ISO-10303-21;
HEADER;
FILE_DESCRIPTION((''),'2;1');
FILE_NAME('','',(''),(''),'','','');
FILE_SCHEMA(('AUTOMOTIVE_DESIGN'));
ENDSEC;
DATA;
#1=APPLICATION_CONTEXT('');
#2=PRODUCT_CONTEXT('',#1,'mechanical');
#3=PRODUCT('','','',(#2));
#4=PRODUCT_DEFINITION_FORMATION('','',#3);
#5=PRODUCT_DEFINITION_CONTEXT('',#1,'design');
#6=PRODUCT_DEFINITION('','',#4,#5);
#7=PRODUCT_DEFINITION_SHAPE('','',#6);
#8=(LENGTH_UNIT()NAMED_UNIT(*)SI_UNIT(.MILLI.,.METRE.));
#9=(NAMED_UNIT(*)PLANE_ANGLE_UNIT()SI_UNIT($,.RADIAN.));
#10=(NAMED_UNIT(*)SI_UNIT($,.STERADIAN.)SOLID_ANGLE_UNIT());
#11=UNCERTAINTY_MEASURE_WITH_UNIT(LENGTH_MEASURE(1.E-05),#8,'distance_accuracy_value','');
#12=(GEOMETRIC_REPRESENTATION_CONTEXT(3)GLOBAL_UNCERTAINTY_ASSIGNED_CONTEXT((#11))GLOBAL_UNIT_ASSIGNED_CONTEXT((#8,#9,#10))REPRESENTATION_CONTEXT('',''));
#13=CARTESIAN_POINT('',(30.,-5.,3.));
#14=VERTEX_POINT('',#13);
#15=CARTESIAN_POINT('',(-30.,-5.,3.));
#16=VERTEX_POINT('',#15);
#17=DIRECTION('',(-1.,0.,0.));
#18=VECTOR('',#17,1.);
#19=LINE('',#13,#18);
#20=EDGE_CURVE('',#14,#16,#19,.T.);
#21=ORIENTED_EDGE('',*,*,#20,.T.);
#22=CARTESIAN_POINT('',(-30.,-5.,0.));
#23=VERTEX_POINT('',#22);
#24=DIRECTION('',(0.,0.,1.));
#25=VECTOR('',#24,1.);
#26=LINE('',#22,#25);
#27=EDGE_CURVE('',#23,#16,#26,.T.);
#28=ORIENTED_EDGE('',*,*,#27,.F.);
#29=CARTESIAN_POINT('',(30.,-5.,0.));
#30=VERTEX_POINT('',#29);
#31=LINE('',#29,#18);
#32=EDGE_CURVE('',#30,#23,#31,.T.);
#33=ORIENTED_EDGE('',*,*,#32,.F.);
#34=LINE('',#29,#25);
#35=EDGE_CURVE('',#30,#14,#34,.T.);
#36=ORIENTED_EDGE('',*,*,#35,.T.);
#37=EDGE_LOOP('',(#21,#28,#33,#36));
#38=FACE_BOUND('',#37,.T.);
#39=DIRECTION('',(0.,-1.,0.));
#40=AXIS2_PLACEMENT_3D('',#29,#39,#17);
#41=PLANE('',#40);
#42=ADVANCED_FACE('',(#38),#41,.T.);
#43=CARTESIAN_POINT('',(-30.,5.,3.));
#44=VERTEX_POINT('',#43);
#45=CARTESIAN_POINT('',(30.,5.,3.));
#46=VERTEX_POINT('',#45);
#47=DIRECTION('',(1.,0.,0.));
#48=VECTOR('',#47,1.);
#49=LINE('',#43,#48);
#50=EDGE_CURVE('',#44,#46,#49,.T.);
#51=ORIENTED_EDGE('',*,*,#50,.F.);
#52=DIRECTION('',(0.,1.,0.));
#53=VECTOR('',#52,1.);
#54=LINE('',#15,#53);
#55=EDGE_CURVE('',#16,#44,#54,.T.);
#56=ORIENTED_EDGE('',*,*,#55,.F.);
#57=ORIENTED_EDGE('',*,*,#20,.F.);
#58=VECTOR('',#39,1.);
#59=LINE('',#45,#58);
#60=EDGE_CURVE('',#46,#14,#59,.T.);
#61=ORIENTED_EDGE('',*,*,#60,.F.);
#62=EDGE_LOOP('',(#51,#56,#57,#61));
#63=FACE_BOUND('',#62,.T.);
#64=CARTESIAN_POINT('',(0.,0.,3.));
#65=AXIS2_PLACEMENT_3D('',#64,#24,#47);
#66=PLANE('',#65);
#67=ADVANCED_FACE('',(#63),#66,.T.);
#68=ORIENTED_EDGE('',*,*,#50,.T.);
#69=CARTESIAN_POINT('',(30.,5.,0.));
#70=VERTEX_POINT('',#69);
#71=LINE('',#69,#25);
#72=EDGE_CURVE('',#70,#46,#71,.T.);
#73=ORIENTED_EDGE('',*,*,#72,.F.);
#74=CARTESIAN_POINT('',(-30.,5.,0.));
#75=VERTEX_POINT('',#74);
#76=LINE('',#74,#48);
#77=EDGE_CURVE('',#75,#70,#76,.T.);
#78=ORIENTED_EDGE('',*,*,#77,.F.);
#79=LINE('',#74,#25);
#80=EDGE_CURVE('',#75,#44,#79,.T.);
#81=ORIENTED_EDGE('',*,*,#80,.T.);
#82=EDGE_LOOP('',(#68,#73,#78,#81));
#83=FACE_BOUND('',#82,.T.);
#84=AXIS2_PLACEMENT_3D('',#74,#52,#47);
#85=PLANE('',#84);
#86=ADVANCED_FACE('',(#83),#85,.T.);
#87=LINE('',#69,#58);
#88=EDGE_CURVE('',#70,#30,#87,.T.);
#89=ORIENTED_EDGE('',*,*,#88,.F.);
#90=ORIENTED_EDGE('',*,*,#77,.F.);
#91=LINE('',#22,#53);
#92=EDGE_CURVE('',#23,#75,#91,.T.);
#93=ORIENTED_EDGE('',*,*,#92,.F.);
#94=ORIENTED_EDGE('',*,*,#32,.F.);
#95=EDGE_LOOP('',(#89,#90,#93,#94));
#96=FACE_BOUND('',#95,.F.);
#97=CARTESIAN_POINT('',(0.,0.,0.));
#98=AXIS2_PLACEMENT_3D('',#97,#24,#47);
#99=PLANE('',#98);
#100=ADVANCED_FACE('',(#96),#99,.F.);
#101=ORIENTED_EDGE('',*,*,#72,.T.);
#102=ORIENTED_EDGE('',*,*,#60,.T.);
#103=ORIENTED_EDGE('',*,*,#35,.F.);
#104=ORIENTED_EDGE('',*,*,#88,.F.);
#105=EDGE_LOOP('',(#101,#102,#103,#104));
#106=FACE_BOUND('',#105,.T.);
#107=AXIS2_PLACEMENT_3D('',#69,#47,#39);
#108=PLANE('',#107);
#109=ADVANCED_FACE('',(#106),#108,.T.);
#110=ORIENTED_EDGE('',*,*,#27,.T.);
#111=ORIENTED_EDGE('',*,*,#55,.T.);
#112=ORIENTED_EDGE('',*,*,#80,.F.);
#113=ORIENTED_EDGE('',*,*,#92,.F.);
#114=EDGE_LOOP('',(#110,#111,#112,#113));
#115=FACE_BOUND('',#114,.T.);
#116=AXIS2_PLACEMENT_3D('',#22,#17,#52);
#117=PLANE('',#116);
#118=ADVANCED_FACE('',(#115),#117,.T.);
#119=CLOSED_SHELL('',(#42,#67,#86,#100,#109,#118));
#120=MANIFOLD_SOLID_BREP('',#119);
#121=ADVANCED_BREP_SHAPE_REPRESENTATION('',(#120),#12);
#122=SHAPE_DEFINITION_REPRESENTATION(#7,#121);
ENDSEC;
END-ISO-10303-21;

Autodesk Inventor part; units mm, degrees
ref_plane "YZ Plane" through (0, 0, 0) normal (1, 0, 0) x (0, 1, 0)
ref_plane "XZ Plane" through (0, 0, 0) normal (0, 1, 0) x (-1, 0, 0)
ref_plane "XY Plane" through (0, 0, 0) normal (0, 0, 1) x (1, 0, 0)
sketch "스케치1" plane through (0, 0, 0) normal (0, 0, 1) x (1, 0, 0)
  line L0 (30, -5) -> (-30, -5)
  line L1 (-30, -5) -> (-30, 5)
  line L2 (-30, 5) -> (30, 5)
  line L3 (30, 5) -> (30, -5)
  line L4 (30, -5) -> (-30, 5) construction
  line L5 (-30, -5) -> (30, 5) construction
  point P0 (0, 0)
  dimension "d0" = 60
  dimension "d1" = 10
extrude "돌출1" add sketch "스케치1" along normal blind 3
properties part number "240626_chair1"
